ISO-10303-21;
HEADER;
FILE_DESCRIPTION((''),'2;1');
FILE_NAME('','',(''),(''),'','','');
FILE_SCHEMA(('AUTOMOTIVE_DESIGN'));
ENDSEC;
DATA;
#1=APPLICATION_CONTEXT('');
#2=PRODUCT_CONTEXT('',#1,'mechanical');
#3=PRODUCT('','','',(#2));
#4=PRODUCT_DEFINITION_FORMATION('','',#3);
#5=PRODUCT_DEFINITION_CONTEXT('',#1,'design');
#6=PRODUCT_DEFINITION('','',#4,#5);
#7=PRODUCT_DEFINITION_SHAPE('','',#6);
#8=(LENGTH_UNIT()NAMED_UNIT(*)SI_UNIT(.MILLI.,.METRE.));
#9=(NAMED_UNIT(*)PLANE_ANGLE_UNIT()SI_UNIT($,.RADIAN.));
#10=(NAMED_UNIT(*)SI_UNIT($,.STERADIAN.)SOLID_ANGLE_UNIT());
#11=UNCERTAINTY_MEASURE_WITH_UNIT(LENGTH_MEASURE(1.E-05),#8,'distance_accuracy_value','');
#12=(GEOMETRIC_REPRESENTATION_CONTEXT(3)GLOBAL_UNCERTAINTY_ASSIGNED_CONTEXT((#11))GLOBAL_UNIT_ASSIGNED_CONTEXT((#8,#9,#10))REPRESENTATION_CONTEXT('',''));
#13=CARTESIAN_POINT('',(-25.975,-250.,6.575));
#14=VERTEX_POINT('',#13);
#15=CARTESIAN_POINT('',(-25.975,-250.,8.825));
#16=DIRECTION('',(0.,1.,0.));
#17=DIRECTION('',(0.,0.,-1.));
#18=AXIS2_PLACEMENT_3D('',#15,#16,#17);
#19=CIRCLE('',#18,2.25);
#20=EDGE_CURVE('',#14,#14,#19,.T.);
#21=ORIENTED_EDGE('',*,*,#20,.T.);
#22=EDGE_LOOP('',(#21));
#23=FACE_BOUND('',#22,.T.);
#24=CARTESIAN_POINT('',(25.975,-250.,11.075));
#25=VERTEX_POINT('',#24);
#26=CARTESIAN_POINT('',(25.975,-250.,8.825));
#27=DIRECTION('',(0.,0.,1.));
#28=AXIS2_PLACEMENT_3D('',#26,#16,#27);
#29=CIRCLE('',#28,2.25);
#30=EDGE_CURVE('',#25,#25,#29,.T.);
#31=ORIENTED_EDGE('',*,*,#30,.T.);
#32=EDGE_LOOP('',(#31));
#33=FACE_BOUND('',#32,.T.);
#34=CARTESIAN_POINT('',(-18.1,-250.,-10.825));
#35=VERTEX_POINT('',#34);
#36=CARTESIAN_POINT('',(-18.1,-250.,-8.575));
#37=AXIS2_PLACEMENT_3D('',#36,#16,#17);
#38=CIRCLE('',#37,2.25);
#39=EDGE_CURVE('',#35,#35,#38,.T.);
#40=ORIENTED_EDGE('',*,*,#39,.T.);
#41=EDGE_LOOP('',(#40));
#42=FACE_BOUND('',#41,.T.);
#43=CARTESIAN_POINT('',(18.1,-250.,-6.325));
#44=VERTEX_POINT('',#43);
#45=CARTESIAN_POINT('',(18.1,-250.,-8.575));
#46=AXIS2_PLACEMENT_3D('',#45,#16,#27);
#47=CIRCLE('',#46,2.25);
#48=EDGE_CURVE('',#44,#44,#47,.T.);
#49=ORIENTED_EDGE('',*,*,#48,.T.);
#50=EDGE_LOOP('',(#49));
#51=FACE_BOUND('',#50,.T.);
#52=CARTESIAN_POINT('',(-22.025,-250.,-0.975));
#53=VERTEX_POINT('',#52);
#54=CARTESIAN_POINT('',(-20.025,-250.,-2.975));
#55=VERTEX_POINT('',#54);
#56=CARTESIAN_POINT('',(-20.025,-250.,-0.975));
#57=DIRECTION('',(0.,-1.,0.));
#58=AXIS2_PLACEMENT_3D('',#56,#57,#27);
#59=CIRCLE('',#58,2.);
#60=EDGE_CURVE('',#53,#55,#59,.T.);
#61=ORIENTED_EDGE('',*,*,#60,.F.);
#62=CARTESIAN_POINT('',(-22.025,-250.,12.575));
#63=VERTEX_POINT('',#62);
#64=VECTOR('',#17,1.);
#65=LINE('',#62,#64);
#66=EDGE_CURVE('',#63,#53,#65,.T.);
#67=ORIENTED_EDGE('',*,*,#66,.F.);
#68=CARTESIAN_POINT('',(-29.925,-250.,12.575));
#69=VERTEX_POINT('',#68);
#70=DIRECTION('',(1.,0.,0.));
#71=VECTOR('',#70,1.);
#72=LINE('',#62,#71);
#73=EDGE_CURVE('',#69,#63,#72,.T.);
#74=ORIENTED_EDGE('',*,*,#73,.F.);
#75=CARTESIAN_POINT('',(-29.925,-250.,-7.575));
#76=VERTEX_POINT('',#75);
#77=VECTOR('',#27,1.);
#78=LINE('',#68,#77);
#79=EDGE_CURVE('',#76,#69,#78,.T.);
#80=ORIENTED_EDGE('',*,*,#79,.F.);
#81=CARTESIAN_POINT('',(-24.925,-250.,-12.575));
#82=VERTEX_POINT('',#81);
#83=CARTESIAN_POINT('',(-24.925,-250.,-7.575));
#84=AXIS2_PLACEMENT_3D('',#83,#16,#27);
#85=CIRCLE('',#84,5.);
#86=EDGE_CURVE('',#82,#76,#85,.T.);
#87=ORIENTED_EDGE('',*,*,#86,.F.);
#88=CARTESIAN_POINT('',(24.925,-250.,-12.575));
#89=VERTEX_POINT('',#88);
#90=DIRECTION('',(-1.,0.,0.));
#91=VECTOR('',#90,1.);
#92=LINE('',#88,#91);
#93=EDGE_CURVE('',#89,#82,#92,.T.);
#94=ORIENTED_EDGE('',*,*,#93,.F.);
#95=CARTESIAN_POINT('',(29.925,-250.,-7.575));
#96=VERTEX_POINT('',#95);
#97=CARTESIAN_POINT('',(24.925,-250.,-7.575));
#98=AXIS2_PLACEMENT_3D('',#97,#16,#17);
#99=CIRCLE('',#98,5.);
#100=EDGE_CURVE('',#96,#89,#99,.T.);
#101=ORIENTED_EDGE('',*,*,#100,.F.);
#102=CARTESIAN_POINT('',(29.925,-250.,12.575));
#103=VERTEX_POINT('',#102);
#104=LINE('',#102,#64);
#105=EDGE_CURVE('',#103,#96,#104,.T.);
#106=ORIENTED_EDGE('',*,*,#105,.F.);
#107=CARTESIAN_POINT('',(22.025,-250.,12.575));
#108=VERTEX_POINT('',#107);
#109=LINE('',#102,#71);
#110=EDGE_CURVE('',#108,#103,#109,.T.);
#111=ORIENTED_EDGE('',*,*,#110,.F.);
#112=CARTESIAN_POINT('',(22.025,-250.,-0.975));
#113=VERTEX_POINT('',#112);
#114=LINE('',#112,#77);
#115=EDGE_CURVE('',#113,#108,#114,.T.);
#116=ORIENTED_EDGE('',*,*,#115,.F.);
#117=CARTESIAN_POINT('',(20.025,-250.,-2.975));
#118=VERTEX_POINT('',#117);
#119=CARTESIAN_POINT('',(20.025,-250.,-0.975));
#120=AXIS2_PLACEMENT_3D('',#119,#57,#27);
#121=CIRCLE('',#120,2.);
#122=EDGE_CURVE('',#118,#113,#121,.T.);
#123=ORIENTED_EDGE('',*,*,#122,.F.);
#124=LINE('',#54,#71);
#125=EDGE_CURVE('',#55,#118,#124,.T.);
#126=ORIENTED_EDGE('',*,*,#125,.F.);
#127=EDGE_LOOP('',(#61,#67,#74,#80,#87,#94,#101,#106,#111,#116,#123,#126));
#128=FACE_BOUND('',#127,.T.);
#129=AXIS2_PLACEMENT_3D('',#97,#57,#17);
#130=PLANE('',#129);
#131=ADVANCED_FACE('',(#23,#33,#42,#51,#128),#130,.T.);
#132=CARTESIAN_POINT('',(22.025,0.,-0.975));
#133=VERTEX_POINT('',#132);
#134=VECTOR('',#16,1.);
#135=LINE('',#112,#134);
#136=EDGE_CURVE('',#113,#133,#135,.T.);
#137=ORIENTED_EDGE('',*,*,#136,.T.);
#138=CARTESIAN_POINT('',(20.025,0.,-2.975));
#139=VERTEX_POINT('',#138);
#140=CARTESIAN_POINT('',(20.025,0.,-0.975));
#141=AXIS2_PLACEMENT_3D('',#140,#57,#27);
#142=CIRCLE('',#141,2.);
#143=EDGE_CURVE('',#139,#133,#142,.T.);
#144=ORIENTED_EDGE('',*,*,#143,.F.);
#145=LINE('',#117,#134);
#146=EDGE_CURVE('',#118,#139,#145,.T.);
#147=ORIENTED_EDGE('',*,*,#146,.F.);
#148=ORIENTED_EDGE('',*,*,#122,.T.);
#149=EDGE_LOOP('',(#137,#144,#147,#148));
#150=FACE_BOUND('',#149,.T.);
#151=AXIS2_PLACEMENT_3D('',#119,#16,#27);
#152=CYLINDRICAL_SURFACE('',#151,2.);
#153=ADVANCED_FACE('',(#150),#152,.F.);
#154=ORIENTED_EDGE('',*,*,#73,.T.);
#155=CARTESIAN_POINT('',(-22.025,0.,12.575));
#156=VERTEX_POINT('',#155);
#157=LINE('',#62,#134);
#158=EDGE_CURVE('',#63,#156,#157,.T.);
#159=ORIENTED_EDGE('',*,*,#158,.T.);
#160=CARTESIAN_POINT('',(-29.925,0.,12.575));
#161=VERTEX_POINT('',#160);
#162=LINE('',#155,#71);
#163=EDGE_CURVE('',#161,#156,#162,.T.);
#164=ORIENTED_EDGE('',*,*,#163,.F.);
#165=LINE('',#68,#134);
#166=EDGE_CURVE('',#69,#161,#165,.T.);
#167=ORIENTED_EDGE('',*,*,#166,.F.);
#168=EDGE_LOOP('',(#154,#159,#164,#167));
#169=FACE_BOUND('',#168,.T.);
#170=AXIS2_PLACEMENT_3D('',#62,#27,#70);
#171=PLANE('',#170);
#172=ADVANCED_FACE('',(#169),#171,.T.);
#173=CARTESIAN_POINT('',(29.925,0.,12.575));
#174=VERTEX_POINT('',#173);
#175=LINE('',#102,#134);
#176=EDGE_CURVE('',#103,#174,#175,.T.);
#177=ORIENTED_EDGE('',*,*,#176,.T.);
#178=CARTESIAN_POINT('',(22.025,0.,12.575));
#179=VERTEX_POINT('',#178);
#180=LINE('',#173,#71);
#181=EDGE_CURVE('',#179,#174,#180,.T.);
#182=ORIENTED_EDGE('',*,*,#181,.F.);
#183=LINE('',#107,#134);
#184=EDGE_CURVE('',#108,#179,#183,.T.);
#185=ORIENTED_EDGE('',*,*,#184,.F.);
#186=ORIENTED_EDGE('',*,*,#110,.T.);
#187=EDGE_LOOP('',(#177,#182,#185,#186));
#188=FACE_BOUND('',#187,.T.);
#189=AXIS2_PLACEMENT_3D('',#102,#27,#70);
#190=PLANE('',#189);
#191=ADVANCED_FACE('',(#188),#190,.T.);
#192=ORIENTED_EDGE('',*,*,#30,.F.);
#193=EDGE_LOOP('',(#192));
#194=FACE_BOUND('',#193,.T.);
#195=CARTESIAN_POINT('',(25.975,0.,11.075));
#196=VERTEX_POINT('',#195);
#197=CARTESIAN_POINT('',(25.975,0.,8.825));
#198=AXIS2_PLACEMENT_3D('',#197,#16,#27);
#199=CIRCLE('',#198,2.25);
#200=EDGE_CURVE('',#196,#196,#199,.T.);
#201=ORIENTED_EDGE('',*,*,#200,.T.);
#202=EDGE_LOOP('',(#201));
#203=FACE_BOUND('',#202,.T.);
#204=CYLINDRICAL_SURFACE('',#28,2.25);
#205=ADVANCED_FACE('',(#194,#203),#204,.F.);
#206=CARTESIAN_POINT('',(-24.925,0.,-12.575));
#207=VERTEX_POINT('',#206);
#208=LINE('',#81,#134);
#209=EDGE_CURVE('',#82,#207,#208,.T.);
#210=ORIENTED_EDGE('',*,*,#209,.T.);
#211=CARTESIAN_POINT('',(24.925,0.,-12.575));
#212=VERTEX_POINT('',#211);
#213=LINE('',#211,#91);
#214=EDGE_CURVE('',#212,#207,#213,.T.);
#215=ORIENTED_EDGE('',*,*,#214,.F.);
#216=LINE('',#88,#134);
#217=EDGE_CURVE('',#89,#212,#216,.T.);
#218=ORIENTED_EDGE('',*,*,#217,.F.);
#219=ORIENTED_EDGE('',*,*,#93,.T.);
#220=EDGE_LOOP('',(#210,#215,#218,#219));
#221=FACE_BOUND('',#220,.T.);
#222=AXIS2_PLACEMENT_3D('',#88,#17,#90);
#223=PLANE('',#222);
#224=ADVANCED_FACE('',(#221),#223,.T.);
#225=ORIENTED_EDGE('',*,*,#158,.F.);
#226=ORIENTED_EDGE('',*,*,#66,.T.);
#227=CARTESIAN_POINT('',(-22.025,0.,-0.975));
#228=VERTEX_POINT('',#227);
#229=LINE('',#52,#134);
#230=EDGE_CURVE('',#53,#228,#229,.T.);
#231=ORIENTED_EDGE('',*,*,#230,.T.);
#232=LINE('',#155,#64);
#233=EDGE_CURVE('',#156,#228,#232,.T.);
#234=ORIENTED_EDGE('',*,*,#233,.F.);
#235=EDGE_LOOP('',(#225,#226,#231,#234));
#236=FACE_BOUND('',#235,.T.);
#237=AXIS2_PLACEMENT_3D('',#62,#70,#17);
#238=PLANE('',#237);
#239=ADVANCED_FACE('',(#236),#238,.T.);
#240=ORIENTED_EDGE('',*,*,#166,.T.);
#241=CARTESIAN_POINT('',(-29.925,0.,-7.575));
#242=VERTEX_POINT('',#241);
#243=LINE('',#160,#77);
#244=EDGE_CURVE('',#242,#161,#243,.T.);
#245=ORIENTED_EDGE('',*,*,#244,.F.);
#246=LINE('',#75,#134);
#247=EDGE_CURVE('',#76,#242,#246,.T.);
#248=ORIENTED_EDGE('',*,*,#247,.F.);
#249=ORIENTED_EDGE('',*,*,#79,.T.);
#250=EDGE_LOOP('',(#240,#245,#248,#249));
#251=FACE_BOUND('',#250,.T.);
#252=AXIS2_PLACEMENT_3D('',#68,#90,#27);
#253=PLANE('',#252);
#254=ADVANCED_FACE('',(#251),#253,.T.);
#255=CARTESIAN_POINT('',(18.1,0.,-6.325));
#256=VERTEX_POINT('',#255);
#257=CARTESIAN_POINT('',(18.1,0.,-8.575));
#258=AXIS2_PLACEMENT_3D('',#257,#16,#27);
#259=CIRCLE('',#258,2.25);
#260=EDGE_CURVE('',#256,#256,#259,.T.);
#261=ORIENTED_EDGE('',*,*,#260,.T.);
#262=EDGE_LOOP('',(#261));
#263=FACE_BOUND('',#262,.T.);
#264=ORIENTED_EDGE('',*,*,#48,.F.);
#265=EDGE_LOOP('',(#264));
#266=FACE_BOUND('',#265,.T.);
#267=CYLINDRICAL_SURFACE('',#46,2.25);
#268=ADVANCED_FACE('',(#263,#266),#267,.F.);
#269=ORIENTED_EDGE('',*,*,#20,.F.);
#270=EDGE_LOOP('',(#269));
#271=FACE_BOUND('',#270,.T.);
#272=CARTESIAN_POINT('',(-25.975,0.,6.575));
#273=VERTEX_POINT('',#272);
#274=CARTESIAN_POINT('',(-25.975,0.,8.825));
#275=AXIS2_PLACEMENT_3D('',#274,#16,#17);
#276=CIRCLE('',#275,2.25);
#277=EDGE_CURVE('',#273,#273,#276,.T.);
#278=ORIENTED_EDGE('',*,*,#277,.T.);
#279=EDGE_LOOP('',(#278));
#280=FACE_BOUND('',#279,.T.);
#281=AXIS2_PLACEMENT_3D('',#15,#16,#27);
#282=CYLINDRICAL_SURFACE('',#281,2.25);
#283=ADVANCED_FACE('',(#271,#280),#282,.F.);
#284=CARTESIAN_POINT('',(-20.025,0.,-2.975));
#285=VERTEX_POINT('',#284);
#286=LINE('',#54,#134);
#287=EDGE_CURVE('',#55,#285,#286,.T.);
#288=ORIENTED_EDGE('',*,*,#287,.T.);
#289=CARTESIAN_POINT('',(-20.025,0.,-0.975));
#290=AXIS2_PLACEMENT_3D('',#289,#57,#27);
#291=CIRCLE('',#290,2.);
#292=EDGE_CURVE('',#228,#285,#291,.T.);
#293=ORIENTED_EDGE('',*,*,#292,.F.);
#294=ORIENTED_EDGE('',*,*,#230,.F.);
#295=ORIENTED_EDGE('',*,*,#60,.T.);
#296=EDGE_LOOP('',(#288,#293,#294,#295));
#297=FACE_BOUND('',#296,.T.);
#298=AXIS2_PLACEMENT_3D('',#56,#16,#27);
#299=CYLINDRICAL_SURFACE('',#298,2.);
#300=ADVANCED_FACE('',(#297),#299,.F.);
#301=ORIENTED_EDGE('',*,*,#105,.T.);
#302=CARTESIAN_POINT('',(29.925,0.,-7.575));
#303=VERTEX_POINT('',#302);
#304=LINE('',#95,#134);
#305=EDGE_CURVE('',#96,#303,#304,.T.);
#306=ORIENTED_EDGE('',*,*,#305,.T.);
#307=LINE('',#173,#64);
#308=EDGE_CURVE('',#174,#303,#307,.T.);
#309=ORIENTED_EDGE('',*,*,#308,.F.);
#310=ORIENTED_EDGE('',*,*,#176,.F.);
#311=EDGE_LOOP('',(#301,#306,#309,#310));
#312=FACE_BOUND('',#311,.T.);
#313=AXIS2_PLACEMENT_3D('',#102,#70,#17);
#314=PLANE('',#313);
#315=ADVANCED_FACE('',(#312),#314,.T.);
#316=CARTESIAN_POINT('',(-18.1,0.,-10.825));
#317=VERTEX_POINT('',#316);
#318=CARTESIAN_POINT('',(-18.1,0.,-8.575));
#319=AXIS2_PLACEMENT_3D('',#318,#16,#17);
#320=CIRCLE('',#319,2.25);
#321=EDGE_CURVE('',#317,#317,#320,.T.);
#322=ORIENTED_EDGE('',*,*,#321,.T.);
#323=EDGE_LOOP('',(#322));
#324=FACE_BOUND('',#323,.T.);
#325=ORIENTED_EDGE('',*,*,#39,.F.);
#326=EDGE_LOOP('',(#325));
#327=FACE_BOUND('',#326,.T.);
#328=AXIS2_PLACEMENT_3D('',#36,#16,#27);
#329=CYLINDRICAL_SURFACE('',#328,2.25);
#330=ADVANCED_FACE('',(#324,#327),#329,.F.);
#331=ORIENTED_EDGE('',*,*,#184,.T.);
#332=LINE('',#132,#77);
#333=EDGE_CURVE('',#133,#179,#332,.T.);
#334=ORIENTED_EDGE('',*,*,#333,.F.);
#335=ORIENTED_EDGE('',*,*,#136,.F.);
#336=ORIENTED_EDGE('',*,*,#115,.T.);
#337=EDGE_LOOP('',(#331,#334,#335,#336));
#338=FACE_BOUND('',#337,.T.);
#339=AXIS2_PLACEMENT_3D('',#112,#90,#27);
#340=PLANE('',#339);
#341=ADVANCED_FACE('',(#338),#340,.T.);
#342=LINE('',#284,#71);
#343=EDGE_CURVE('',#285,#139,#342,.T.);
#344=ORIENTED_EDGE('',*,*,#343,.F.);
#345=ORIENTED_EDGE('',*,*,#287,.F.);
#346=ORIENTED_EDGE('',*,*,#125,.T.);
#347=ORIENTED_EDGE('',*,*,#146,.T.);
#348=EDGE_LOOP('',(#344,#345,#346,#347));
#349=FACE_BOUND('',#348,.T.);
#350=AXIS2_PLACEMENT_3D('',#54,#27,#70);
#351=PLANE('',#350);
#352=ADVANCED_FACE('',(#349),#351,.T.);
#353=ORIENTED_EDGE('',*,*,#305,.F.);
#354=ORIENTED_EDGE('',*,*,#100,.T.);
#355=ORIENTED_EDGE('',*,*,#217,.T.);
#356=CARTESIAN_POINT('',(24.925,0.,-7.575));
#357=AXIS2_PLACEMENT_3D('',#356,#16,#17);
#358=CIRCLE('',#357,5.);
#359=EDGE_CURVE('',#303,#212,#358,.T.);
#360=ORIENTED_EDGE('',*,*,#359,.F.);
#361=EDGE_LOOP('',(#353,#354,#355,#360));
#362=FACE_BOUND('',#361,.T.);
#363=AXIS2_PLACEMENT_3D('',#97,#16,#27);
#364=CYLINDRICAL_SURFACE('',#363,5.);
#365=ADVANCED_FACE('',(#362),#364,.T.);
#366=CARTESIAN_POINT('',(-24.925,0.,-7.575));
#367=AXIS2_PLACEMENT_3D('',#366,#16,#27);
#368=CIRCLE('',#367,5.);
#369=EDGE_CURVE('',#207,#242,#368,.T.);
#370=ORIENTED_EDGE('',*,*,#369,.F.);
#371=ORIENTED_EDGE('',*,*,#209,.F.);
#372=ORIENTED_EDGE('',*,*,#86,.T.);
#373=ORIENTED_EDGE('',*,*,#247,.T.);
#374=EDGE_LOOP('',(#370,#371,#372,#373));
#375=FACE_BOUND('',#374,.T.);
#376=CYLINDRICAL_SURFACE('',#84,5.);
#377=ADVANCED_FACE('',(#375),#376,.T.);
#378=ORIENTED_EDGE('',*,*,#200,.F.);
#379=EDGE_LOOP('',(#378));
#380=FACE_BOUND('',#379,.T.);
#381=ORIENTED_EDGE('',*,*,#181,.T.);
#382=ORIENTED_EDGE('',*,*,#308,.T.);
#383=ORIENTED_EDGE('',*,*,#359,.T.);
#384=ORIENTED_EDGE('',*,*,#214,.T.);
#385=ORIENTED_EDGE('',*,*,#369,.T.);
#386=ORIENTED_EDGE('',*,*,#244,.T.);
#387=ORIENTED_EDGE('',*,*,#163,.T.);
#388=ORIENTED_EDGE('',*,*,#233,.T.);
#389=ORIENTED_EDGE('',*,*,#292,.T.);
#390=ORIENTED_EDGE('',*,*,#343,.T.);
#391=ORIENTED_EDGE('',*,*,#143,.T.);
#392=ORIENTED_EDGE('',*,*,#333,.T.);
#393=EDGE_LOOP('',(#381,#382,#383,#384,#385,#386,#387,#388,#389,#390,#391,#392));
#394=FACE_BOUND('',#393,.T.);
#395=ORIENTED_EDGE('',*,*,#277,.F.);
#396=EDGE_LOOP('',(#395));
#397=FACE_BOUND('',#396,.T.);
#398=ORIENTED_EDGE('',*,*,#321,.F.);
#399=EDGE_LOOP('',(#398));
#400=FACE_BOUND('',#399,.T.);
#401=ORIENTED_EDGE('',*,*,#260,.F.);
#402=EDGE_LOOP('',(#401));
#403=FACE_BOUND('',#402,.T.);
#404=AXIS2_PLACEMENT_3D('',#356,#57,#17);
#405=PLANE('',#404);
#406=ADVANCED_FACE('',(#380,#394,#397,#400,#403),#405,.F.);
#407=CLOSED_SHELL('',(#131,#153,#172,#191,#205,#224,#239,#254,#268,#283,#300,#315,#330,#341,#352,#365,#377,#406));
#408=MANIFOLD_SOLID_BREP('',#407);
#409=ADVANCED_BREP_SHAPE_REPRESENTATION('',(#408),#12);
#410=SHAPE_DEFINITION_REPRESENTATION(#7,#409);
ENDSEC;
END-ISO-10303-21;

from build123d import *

# Parameters (mm, degrees)
SKETCH2_R           = 2.25
BOSS_EXTRUDE1_DEPTH = 250


with BuildPart() as part:
    # Sketch2 → Boss-Extrude1 (new body)
    with BuildSketch(Plane(origin=(0, 0, 0), x_dir=(1, 0, 0), z_dir=(0, 1, 0))):
        with BuildLine():
            Line((-22.025, -12.575), (-22.025, 0.975))
            ThreePointArc((-22.025, 0.975), (-21.439213562, 2.389213562), (-20.025, 2.975))
            Line((-20.025, 2.975), (20.025, 2.975))
            ThreePointArc((20.025, 2.975), (21.439213562, 2.389213562), (22.025, 0.975))
            Line((22.025, 0.975), (22.025, -12.575))
            Line((22.025, -12.575), (29.925, -12.575))
            Line((29.925, -12.575), (29.925, 7.575))
            ThreePointArc((29.925, 7.575), (28.460533906, 11.110533906), (24.925, 12.575))
            Line((24.925, 12.575), (-24.925, 12.575))
            ThreePointArc((-24.925, 12.575), (-28.460533906, 11.110533906), (-29.925, 7.575))
            Line((-29.925, 7.575), (-29.925, -12.575))
            Line((-29.925, -12.575), (-22.025, -12.575))
        make_face()
        with Locations(Location((18.1, 8.575, 0), (0, 0, 270))):
            Circle(SKETCH2_R, mode=Mode.SUBTRACT)
        with Locations(Location((25.975, -8.825, 0), (0, 0, 270))):
            Circle(SKETCH2_R, mode=Mode.SUBTRACT)
        with Locations(Location((-25.975, -8.825, 0), (0, 0, 90))):
            Circle(SKETCH2_R, mode=Mode.SUBTRACT)
        with Locations(Location((-18.1, 8.575, 0), (0, 0, 90))):
            Circle(SKETCH2_R, mode=Mode.SUBTRACT)
    extrude(amount=-BOSS_EXTRUDE1_DEPTH)


solid = part.part
